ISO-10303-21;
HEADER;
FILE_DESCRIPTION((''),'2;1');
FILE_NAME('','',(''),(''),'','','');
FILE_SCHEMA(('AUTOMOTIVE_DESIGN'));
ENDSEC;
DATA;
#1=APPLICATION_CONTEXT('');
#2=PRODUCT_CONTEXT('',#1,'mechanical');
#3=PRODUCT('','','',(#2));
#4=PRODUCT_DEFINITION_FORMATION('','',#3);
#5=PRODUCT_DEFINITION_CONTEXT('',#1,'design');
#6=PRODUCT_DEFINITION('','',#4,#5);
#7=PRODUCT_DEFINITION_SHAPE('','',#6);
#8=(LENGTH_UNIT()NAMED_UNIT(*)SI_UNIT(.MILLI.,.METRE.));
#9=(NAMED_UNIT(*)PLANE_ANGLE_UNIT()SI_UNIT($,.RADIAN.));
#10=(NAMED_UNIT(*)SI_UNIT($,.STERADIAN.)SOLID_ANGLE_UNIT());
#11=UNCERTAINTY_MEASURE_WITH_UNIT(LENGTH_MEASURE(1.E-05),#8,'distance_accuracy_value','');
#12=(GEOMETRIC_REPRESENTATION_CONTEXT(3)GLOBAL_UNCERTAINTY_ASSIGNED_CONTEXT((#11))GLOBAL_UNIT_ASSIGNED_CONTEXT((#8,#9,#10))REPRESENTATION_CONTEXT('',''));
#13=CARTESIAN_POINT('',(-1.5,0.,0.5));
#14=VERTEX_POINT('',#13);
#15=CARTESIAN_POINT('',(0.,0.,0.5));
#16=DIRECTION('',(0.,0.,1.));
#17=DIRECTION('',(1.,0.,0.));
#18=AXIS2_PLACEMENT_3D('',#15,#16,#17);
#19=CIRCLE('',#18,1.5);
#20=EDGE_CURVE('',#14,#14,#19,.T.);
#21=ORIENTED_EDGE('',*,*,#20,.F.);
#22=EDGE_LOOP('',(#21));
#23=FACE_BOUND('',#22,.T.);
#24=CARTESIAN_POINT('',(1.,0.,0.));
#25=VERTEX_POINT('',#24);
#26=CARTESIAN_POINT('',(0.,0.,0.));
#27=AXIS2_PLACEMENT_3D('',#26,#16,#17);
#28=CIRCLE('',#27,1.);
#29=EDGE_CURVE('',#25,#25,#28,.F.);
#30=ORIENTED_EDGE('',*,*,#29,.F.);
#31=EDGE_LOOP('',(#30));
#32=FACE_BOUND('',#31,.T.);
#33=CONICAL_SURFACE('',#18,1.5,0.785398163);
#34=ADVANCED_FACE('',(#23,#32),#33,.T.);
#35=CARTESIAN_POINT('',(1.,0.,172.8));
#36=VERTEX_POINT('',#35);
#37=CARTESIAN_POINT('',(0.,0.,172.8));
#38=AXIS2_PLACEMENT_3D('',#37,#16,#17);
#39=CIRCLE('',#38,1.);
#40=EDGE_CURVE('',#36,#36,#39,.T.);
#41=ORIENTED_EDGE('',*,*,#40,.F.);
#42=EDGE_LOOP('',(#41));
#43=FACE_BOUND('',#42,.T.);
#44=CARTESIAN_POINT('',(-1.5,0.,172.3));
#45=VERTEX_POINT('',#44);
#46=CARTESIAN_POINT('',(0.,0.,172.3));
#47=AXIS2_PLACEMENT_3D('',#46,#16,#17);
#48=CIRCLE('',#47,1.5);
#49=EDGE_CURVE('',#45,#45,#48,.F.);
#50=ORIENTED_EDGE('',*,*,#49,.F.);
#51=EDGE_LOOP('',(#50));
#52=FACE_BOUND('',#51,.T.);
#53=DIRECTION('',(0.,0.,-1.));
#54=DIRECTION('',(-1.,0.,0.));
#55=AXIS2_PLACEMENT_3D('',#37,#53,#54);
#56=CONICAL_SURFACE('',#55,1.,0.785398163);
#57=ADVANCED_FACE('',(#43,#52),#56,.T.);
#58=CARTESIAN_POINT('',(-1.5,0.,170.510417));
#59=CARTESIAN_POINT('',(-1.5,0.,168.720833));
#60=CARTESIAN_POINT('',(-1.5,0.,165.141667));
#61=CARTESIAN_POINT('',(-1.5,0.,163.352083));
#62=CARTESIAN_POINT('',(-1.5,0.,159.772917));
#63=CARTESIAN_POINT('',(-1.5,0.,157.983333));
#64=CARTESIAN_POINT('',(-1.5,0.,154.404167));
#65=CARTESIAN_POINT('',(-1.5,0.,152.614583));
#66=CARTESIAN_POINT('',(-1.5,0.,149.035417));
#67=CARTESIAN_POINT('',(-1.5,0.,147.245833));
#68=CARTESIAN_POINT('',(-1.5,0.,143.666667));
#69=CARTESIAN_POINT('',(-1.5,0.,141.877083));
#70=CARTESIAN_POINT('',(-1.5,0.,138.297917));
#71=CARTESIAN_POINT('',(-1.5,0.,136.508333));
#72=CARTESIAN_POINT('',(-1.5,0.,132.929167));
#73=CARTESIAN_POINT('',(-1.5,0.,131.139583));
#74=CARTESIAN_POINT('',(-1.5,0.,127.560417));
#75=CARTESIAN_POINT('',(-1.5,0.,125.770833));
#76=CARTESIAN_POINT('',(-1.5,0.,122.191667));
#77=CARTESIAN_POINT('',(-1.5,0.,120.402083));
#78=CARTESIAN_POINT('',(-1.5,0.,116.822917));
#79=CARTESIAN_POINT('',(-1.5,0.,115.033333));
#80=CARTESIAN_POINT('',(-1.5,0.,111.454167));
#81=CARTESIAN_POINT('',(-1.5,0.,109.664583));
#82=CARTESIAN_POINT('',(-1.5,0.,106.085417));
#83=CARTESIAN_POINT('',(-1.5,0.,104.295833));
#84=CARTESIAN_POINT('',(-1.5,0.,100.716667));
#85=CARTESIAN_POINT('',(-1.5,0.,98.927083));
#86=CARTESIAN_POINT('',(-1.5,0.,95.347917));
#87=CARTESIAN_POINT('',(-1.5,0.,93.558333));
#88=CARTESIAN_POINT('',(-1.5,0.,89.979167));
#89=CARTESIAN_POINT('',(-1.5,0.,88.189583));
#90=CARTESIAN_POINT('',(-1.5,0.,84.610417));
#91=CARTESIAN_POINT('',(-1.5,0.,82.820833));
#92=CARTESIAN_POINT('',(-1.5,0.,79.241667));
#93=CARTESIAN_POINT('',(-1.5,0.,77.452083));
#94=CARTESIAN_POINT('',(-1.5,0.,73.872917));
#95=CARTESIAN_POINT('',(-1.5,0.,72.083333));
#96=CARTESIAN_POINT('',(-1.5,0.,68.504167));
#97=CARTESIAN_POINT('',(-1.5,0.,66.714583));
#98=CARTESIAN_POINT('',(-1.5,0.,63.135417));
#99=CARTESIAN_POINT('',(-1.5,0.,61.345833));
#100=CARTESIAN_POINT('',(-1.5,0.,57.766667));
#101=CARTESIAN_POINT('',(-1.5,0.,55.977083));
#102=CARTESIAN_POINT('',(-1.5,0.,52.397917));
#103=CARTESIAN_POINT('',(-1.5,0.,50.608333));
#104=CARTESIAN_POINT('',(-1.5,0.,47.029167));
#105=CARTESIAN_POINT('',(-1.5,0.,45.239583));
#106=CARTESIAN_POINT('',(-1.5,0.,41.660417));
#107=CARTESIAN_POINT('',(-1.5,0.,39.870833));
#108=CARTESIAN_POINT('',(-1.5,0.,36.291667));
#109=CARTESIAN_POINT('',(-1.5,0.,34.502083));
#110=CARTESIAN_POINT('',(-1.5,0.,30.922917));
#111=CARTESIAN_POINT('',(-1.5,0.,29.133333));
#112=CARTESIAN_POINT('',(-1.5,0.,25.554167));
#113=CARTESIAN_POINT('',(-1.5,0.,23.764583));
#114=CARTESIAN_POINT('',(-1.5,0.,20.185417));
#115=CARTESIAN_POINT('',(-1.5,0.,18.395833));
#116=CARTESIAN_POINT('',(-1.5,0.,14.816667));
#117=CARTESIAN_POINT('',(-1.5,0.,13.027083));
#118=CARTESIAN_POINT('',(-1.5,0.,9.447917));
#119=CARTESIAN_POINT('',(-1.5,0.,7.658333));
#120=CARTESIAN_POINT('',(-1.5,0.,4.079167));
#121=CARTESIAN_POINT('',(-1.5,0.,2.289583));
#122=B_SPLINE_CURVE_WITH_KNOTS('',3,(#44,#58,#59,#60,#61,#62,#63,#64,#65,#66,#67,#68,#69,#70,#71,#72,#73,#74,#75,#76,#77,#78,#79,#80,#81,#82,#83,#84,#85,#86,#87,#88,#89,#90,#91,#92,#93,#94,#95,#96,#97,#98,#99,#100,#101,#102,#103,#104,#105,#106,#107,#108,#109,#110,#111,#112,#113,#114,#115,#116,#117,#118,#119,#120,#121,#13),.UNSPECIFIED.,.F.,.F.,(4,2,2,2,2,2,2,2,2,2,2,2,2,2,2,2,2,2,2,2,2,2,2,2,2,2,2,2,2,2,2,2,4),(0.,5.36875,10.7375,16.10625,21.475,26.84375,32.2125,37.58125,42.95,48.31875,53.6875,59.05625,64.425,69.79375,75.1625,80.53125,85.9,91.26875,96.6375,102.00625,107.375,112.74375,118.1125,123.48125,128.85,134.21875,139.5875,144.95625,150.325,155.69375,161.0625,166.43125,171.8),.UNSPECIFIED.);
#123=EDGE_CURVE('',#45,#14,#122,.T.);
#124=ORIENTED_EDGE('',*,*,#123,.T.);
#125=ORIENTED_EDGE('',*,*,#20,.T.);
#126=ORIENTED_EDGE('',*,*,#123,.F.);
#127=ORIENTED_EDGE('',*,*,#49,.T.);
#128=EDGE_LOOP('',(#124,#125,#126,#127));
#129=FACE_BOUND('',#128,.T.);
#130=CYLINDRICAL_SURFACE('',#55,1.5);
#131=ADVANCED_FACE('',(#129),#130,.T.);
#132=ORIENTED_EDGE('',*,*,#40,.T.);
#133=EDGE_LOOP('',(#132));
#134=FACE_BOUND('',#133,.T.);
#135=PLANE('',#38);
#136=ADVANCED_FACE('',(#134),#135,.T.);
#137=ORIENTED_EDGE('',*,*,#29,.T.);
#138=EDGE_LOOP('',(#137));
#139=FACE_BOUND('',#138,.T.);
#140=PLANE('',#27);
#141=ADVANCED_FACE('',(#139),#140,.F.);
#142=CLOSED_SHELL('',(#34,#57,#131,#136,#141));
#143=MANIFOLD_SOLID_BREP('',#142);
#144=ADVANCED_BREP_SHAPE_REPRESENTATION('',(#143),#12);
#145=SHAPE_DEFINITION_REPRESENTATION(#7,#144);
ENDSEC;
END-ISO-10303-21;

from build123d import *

# Parameters (mm, degrees)
SKETCH_1_R      = 1.5
EXTRUDE_1_DEPTH = 172.8
CHAMFER_1_SIZE  = 0.5


with BuildPart() as part:
    # Эскиз1 → Бобышка-Вытянуть1 (new body)
    with BuildSketch(Plane.XY):
        with Locations(Location((0, 0, 0), (0, 0, 180))):
            Circle(SKETCH_1_R)
    extrude(amount=EXTRUDE_1_DEPTH)

    # Фаска1
    chamfer_1_edges = [part.edges().sort_by_distance(p)[0] for p in [
        (1.5, 0, 0),
        (1.5, 0, 172.8),
    ]]
    chamfer(chamfer_1_edges, length=CHAMFER_1_SIZE)


solid = part.part
